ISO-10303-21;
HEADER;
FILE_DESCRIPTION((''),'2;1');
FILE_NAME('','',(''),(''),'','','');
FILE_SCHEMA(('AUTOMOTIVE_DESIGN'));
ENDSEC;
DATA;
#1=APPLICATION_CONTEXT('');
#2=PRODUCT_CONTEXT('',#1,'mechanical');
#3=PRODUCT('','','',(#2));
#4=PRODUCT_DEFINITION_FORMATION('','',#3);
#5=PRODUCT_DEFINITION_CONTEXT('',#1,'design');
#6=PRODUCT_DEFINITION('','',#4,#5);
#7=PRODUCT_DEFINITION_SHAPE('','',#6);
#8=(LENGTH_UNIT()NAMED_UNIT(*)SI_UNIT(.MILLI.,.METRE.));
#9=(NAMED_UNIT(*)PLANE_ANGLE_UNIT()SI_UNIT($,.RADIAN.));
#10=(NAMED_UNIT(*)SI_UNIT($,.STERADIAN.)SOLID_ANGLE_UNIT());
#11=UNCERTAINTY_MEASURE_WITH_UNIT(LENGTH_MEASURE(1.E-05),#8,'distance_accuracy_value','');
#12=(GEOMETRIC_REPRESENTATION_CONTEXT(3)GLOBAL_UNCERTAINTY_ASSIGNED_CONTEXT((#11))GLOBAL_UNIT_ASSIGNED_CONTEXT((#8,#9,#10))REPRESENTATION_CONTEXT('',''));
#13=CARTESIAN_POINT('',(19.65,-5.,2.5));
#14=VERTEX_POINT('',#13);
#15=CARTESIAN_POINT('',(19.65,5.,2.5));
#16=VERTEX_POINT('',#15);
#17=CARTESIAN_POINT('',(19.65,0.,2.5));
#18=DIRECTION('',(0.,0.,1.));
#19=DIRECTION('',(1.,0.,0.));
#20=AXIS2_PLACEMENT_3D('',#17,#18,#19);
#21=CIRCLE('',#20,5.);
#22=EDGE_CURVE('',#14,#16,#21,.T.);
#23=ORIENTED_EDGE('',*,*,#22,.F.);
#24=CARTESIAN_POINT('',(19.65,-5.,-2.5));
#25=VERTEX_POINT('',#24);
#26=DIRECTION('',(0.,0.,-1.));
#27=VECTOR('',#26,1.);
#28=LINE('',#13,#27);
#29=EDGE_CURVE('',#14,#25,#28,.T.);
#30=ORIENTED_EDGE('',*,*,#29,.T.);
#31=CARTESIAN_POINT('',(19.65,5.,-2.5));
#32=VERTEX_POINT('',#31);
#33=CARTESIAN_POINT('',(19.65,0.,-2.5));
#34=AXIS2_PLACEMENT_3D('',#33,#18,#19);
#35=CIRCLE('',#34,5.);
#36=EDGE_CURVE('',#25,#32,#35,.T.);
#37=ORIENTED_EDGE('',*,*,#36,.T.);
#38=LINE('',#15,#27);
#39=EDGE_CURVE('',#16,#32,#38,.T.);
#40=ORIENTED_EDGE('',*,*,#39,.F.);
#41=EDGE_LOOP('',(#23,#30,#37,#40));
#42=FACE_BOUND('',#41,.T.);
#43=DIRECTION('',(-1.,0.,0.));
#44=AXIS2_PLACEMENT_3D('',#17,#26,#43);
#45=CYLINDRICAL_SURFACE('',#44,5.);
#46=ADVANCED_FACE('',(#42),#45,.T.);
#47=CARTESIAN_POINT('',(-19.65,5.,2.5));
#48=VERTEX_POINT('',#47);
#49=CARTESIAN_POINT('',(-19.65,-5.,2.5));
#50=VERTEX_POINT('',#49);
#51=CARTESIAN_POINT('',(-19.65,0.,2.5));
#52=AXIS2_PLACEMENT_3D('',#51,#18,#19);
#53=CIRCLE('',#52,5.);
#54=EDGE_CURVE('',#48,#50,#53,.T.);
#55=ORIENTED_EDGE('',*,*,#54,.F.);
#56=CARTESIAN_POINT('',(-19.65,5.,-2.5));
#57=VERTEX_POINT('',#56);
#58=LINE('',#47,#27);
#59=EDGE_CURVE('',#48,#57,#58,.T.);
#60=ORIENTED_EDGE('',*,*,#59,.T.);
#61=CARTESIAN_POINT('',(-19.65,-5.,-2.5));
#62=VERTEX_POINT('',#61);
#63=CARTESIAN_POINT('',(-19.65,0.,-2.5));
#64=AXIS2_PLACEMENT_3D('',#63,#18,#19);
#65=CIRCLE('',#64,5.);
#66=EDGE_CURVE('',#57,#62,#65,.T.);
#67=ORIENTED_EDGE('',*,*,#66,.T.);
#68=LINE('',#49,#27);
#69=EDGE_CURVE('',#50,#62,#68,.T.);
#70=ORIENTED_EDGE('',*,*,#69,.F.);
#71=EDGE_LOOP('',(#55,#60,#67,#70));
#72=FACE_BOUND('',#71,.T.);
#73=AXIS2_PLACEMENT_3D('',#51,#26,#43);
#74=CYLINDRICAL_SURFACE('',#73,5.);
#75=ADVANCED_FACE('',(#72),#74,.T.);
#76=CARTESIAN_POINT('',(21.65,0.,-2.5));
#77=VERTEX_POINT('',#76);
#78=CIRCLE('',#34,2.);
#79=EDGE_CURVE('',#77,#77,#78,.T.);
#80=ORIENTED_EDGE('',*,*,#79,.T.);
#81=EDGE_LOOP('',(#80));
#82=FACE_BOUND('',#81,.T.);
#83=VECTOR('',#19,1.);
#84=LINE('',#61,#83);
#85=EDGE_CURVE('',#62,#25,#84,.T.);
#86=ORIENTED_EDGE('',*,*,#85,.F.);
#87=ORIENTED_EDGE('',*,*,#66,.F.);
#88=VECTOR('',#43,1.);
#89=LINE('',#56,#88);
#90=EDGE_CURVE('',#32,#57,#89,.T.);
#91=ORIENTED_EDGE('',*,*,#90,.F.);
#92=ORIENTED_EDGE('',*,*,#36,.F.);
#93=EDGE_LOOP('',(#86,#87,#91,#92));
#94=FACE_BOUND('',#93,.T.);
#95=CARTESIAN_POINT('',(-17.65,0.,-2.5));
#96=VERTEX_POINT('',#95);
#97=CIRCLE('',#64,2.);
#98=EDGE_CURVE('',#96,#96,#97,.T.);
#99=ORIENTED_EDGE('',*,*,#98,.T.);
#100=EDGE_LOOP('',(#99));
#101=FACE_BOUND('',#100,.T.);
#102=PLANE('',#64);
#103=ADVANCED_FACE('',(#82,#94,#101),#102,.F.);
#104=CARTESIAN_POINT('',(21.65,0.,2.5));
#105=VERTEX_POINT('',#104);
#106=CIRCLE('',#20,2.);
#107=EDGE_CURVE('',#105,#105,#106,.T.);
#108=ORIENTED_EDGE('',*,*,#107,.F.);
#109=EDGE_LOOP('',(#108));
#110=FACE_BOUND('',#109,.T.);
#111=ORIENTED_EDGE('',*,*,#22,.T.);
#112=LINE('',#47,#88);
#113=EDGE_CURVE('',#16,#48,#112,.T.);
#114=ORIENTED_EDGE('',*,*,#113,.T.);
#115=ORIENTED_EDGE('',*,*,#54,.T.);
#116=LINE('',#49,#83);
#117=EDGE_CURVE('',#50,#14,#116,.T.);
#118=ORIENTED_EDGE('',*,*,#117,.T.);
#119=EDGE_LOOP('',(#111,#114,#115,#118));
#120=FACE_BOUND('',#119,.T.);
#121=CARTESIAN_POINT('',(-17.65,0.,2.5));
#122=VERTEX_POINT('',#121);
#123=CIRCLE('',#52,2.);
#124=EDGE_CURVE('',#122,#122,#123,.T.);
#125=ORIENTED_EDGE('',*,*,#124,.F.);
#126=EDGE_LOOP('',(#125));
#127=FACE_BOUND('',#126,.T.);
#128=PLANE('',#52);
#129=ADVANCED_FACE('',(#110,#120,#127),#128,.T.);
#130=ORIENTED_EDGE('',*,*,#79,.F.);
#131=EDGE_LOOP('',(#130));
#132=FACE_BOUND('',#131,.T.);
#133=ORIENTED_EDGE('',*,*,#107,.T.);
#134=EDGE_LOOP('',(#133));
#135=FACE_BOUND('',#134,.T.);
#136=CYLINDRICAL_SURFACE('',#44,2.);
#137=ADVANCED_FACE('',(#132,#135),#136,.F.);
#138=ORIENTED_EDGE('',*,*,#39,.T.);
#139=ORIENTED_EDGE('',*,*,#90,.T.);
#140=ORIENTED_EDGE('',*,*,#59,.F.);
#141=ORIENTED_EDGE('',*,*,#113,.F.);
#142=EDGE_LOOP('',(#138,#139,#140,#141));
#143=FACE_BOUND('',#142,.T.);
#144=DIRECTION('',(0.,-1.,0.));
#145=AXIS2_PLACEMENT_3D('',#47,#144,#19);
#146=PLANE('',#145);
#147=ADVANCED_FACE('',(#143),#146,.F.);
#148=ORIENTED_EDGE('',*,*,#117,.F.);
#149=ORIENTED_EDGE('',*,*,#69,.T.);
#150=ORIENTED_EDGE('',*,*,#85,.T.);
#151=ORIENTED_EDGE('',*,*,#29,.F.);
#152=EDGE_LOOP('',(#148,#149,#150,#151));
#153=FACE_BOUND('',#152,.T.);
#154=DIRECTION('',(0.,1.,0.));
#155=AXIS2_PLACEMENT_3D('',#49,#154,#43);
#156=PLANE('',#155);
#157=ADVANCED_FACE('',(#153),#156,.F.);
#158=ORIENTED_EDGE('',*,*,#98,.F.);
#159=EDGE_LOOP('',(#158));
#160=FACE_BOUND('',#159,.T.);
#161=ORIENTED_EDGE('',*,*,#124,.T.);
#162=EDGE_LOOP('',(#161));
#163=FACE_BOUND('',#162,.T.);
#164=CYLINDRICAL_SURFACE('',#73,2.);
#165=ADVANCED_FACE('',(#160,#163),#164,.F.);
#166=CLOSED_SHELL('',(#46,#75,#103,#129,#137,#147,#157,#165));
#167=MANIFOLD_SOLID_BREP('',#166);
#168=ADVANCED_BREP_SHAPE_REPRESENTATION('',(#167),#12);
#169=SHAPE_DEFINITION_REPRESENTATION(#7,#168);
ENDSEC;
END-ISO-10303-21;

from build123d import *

# Parameters (mm, degrees)
SKETCH_2_R      = 2
EXTRUDE_1_DEPTH = 2.5


with BuildPart() as part:
    # 草圖2 → 填料-伸長1 (new, symmetric)
    with BuildSketch(Plane.XY):
        with BuildLine():
            Line((-19.65, 5), (19.65, 5))
            ThreePointArc((19.65, 5), (24.65, 0), (19.65, -5))
            Line((19.65, -5), (-19.65, -5))
            ThreePointArc((-19.65, -5), (-24.65, 0), (-19.65, 5))
        make_face()
        with Locations((19.65, 0)):
            Circle(SKETCH_2_R, mode=Mode.SUBTRACT)
        with Locations((-19.65, 0)):
            Circle(SKETCH_2_R, mode=Mode.SUBTRACT)
    extrude(amount=EXTRUDE_1_DEPTH, both=True)


solid = part.part
